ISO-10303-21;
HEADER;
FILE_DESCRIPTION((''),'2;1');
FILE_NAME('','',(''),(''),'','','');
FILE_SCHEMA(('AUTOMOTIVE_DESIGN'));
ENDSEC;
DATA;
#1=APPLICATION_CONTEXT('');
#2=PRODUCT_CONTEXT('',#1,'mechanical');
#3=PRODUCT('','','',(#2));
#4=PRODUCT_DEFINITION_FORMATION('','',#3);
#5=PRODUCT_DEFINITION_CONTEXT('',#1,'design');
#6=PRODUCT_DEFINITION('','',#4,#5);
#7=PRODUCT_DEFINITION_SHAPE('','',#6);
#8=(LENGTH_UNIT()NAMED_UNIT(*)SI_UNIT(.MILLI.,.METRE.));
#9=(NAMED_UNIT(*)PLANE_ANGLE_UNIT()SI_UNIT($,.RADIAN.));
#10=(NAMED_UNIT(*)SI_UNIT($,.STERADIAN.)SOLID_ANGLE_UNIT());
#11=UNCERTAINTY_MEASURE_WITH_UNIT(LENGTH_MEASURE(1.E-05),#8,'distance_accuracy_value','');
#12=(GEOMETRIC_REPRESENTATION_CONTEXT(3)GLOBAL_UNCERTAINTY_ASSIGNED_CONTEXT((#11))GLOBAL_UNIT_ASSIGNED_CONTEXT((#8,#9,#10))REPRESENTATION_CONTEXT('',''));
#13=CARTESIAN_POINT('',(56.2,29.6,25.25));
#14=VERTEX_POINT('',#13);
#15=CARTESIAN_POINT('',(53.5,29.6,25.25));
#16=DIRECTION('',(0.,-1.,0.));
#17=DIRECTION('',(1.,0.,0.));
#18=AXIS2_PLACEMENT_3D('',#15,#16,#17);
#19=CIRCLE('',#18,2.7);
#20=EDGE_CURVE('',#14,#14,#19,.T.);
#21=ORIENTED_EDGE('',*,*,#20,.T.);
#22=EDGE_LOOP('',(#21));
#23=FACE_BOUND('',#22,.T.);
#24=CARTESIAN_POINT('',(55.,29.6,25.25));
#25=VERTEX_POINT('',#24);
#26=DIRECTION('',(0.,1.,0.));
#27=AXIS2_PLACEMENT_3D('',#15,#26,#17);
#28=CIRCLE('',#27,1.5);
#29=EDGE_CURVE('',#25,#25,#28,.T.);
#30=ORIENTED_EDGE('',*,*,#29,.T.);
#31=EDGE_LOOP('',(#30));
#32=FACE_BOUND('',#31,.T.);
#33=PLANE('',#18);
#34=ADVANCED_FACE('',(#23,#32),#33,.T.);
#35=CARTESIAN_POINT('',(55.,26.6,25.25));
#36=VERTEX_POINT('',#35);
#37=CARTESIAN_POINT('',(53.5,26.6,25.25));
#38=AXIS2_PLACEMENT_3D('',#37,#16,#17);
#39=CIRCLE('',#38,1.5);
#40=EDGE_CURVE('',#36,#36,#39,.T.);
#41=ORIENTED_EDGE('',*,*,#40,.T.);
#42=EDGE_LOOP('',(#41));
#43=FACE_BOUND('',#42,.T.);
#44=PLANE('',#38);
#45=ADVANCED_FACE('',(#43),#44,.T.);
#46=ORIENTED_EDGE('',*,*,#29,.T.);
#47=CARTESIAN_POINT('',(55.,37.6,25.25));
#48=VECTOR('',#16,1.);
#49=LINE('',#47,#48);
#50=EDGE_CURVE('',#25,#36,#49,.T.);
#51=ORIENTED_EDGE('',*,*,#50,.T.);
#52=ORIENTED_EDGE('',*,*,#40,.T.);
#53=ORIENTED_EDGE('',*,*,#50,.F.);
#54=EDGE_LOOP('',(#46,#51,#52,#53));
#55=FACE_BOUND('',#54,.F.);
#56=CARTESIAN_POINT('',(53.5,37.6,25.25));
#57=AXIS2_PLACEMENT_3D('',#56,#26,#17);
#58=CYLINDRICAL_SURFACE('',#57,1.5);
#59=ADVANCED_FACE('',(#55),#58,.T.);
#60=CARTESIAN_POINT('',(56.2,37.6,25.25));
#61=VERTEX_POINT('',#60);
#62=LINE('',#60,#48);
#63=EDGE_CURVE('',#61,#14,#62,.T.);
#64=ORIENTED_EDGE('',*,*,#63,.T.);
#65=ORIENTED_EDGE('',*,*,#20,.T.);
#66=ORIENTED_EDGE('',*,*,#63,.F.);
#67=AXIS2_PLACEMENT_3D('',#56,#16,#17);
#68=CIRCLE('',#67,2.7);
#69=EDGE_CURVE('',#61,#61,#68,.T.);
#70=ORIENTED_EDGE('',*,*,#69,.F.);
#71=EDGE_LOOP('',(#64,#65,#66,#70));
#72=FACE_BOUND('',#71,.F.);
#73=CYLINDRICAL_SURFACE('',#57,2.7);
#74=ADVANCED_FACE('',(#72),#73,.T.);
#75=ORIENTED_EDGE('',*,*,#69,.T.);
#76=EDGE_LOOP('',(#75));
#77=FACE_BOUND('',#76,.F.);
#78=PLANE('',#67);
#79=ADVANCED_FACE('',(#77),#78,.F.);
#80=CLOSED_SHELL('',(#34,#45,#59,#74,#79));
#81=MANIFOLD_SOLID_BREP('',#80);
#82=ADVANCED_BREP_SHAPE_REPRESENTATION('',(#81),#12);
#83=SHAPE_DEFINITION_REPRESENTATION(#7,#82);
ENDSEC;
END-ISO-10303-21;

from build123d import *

# Parameters (mm, degrees)
CYLINDER013_R     = 2.7
CYLINDER013_DEPTH = 8
CYLINDER009_R     = 1.5
CYLINDER009_DEPTH = 11


with BuildPart() as cylinder013:
    # Cylinder013 → Cylinder013 (new body)
    with BuildSketch(Plane(origin=(53.5, 37.6, 25.25), x_dir=(1, 0, 0), z_dir=(0, -1, 0))):
        Circle(CYLINDER013_R)
    extrude(amount=CYLINDER013_DEPTH)


with BuildPart() as fusion017:
    # Cylinder009 → Cylinder009 (new body)
    with BuildSketch(Plane(origin=(53.5, 37.6, 25.25), x_dir=(1, 0, 0), z_dir=(0, -1, 0))):
        Circle(CYLINDER009_R)
    extrude(amount=CYLINDER009_DEPTH)

    # Fusion017: union Cylinder013
    add(cylinder013.part)


solid = fusion017.part
